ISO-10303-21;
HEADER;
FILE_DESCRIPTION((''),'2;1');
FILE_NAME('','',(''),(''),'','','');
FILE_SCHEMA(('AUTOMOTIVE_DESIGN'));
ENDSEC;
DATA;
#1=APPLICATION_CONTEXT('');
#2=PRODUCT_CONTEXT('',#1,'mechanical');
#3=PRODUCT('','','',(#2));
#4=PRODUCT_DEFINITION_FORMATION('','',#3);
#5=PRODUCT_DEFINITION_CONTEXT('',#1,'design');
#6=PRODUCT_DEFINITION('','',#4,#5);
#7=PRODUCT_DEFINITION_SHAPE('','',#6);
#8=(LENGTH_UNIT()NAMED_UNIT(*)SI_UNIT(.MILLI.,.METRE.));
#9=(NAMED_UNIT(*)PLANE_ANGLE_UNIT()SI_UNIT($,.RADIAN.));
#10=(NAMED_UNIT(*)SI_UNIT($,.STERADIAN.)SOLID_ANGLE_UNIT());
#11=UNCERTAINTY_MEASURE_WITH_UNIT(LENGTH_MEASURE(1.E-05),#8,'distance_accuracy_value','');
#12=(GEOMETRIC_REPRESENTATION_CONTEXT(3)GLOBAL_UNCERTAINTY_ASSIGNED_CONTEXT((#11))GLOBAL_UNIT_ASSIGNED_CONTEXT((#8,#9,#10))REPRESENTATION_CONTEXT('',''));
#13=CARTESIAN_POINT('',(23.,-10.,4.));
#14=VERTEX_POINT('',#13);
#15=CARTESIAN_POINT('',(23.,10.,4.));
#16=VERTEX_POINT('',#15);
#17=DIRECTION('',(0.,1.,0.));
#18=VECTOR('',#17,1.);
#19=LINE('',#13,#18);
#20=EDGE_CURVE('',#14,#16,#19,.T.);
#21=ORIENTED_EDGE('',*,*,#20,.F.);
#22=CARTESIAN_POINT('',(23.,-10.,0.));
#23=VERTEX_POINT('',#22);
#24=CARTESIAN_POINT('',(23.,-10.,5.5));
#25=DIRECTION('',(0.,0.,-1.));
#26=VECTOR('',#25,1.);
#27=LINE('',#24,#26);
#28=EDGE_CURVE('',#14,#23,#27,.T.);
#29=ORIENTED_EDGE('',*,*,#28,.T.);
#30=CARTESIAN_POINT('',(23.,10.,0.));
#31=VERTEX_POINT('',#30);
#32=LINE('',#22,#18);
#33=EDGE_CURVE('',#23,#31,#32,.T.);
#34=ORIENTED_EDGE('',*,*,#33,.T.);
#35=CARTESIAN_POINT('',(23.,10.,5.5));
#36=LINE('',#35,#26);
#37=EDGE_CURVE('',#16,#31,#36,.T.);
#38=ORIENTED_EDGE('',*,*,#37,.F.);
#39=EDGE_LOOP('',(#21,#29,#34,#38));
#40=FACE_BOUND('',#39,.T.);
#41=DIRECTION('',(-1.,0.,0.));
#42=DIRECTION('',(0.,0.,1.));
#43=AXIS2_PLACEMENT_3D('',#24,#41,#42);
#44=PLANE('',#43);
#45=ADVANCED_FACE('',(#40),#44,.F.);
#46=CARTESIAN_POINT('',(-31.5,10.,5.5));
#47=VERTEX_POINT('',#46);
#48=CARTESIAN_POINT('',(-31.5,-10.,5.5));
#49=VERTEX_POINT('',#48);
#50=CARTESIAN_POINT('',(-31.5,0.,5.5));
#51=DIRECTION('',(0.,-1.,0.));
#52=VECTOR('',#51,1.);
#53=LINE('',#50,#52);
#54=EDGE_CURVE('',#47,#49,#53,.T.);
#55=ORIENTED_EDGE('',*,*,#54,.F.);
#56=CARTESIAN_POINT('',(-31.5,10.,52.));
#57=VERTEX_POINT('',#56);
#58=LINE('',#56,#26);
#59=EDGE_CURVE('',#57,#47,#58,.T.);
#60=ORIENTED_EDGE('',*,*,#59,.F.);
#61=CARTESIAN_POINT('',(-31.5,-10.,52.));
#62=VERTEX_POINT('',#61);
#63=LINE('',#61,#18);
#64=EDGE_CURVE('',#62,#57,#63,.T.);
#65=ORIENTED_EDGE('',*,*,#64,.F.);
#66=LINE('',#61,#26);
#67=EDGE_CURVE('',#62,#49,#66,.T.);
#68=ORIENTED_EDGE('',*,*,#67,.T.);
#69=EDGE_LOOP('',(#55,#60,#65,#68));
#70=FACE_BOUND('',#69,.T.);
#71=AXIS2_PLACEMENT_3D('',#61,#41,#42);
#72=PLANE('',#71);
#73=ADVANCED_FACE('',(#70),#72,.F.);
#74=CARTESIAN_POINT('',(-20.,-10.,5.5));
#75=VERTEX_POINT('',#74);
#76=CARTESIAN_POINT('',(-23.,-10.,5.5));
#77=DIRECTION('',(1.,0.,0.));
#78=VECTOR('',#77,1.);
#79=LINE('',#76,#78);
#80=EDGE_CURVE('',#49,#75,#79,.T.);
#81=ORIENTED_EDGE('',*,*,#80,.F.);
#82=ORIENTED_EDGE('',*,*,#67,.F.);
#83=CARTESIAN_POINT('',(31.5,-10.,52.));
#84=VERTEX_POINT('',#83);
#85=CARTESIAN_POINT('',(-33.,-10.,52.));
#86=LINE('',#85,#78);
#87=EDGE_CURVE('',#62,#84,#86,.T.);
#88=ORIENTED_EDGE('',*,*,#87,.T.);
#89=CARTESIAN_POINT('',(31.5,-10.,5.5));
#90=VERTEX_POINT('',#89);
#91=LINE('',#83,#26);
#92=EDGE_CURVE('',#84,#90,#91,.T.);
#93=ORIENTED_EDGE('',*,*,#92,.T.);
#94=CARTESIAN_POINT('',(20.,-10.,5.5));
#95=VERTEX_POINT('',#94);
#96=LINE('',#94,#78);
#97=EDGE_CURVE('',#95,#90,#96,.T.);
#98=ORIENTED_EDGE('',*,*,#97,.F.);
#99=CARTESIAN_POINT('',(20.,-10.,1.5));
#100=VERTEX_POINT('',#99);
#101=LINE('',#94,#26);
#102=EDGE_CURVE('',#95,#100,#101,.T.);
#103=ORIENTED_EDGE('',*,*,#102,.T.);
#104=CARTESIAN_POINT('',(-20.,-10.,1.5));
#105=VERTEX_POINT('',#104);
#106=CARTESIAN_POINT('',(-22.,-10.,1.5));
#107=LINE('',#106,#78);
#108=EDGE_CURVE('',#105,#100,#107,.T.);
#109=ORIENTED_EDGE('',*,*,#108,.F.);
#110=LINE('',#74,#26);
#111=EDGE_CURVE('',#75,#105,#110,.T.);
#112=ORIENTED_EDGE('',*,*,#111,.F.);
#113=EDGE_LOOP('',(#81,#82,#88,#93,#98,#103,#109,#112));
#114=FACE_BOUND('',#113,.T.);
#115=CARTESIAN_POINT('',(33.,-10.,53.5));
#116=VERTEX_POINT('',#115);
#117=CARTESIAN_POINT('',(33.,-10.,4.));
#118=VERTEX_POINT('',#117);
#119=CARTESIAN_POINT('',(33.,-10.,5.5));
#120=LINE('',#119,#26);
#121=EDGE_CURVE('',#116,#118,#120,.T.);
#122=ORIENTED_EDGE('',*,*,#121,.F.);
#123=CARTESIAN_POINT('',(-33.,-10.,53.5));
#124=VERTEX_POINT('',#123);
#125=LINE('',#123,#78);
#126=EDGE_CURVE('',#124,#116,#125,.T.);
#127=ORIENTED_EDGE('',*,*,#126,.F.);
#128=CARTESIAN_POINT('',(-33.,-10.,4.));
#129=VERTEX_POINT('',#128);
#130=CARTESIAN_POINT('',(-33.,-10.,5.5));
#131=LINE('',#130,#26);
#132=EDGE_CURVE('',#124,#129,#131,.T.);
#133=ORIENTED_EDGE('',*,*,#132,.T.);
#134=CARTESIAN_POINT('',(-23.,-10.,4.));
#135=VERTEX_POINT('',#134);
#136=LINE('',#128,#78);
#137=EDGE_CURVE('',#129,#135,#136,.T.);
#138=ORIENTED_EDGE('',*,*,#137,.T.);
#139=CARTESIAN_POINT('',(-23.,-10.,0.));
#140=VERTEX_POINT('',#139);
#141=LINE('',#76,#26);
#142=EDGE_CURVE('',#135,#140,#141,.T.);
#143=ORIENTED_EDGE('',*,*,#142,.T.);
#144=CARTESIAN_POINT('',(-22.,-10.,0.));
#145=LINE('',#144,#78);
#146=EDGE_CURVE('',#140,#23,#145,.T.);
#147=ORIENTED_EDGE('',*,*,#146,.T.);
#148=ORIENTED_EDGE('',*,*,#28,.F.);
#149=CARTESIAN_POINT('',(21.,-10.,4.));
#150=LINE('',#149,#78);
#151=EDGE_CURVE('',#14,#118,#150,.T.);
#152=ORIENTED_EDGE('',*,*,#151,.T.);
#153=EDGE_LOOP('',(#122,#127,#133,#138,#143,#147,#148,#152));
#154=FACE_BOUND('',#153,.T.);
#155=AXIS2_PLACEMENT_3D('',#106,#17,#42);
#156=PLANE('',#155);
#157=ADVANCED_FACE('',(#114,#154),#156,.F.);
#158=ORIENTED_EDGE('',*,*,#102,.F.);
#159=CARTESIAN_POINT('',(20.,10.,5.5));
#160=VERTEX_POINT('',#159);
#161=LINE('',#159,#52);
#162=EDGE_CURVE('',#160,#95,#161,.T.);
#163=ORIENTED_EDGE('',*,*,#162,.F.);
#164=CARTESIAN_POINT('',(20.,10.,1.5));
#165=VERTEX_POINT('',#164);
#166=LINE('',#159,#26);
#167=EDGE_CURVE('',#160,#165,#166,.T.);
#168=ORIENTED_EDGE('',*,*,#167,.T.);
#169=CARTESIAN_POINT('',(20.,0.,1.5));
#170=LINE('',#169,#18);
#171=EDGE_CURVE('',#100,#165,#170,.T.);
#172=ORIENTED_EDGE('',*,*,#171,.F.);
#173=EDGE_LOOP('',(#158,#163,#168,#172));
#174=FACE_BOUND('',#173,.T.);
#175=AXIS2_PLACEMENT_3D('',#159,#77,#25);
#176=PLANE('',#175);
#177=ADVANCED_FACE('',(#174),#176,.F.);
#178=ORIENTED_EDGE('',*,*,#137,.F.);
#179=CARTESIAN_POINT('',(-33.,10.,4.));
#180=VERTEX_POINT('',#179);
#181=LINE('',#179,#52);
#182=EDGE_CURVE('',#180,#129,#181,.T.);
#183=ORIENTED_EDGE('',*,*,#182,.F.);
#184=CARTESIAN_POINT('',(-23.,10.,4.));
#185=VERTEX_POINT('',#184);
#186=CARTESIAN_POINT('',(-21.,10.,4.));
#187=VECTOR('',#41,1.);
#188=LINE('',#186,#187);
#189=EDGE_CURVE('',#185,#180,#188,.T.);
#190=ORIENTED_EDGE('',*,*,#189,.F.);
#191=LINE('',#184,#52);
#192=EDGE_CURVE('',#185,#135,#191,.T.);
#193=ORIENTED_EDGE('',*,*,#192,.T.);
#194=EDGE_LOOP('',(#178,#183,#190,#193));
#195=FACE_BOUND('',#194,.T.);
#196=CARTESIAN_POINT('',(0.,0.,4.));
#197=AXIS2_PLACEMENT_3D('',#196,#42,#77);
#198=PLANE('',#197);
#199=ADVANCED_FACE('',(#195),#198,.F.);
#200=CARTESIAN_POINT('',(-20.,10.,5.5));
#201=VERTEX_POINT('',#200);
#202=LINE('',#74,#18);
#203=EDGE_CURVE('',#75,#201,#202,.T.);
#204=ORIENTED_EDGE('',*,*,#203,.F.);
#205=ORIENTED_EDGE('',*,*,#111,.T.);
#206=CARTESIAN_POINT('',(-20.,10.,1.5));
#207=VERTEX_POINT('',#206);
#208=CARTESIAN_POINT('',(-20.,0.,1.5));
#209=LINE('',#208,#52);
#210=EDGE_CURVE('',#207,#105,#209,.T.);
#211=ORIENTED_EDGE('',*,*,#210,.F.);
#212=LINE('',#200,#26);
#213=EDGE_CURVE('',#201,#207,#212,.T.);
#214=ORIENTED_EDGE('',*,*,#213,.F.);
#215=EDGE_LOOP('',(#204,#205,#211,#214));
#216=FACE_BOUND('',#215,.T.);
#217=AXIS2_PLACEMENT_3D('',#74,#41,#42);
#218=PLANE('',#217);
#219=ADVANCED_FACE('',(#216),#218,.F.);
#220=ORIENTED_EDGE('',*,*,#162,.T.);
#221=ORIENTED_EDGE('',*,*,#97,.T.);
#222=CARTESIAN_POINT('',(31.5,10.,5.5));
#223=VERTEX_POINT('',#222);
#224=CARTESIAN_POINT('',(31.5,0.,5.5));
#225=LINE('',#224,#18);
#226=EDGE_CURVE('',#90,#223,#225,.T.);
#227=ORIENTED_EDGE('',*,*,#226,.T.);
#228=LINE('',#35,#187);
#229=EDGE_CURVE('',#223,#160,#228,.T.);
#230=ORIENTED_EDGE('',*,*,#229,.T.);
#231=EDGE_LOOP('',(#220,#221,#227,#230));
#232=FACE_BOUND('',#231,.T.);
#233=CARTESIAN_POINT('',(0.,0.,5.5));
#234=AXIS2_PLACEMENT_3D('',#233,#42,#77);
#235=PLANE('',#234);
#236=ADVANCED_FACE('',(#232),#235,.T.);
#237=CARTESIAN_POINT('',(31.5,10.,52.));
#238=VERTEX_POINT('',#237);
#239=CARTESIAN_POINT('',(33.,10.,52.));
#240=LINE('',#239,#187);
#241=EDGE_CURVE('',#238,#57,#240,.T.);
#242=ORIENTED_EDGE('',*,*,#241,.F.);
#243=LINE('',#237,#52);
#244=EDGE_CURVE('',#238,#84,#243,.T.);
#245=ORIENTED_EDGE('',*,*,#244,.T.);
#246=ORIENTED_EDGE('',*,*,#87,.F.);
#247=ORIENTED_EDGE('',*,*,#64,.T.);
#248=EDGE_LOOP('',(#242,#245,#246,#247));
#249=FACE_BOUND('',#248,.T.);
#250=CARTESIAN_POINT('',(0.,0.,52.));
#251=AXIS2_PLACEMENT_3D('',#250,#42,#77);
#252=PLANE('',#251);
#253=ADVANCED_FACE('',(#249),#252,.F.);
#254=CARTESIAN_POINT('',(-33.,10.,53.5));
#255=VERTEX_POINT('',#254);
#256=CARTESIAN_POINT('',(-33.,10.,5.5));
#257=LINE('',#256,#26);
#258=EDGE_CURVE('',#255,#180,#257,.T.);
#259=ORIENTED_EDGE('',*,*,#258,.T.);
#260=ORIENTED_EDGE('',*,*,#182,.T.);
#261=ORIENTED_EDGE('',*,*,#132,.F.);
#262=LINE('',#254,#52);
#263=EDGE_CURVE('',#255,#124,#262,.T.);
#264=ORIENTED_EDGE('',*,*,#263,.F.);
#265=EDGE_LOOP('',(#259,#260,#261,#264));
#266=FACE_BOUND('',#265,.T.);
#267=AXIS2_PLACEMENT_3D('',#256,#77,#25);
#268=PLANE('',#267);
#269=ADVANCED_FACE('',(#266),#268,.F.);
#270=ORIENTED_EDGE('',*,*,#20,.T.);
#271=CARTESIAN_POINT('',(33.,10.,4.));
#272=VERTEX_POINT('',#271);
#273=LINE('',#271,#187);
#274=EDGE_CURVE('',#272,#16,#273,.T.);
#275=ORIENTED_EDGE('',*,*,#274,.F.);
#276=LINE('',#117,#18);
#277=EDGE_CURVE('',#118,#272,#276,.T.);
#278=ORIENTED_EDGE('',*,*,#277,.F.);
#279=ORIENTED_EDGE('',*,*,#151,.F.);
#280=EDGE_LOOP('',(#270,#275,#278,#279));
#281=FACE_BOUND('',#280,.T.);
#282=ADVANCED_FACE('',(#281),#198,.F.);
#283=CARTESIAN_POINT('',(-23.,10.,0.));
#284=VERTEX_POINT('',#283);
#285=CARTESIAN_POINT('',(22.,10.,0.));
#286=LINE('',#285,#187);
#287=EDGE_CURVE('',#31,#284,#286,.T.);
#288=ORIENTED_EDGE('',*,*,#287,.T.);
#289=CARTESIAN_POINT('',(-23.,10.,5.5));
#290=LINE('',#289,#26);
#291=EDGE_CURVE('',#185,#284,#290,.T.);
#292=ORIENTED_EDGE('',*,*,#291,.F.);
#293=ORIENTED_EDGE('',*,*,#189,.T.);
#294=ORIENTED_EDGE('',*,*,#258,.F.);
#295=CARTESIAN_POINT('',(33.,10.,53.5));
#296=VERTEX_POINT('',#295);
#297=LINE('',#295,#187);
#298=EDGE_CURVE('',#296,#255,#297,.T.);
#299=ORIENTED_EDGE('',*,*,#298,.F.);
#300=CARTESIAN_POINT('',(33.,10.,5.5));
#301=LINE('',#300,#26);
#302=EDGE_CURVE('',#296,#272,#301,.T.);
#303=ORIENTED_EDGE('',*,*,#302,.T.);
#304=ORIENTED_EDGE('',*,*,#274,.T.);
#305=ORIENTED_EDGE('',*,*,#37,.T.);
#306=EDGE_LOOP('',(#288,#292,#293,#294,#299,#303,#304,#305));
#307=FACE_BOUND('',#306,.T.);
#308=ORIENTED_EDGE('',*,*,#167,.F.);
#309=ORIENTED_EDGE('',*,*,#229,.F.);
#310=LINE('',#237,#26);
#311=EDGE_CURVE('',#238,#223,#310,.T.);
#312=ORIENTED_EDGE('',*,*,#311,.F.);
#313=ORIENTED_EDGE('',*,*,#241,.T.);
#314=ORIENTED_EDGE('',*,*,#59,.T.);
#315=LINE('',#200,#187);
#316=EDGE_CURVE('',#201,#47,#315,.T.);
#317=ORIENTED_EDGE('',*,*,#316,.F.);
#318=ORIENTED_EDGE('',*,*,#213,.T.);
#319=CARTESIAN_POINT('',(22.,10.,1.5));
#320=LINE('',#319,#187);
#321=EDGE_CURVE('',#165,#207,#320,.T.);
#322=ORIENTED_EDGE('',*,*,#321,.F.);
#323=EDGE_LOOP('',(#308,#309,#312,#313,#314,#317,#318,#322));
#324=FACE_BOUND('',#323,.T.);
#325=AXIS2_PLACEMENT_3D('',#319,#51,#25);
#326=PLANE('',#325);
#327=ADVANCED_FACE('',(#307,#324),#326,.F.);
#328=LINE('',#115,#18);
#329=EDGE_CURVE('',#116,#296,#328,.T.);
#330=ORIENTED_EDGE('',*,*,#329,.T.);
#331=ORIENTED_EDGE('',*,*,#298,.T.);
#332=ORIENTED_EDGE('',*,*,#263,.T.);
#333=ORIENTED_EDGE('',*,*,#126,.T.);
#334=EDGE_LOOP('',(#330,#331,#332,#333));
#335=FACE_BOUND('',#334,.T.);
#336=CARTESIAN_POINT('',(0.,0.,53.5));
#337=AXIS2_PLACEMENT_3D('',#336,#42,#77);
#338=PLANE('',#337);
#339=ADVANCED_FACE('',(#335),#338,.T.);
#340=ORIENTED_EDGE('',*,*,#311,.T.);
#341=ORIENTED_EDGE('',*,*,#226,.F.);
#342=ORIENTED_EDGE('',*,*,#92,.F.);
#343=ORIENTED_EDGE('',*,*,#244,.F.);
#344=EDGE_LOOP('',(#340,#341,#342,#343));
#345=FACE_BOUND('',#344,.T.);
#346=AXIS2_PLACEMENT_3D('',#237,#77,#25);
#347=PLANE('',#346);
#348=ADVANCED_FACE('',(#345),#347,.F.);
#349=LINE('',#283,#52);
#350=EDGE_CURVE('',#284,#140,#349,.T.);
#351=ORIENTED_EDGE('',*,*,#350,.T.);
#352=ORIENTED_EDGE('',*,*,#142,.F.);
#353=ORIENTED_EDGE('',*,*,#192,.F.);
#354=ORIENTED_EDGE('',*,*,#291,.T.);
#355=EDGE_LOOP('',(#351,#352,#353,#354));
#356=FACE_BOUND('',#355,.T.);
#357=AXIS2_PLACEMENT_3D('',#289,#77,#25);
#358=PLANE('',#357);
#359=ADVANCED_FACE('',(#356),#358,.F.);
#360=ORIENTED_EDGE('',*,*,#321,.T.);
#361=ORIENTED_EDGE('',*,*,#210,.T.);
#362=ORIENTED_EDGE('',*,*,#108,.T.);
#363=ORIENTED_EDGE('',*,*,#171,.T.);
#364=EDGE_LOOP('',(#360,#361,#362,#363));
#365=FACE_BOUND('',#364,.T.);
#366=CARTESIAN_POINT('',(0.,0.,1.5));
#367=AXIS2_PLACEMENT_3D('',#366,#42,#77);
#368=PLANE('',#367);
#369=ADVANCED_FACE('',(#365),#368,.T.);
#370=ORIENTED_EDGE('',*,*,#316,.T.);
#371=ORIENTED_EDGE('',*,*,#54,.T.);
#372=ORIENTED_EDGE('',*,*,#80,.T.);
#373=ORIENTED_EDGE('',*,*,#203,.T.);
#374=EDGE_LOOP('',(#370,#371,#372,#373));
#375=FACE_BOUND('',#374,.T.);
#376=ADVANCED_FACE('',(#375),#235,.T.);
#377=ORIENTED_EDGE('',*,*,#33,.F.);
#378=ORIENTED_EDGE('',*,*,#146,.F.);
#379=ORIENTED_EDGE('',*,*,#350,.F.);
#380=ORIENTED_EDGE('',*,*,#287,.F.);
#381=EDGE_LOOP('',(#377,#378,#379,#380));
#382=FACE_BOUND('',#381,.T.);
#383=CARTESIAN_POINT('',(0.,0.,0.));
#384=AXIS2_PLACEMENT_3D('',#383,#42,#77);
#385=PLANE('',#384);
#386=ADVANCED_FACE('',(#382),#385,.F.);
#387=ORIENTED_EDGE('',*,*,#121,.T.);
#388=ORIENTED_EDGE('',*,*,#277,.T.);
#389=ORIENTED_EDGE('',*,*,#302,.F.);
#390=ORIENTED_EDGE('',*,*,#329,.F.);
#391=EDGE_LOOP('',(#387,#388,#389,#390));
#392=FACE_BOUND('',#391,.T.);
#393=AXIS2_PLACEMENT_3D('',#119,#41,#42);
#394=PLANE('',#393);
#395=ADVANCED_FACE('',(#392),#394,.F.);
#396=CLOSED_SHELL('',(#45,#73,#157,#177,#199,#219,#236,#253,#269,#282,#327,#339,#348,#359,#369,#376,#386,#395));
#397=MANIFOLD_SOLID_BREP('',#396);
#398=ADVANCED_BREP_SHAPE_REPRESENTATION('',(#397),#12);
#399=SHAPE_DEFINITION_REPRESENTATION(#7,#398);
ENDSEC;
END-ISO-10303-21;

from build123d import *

# Parameters (mm, degrees)
SKETCH_4_W        = 44
SKETCH_4_H        = 20
EXTRUDE_282_DEPTH = 1.5
SKETCH_5_W        = 3
SKETCH_5_H        = 20
EXTRUDE_1_DEPTH   = 5.5
EXTRUDE_START     = 4
SKETCH_6_W        = 12
SKETCH_6_H        = 20
EXTRUDE_1_2_DEPTH = 1.5
SKETCH_7_W        = 1.5
SKETCH_7_H        = 20
EXTRUDE_1_3_DEPTH = 48
SKETCH_8_W        = 3
SKETCH_8_H        = 20
EXTRUDE_1_4_DEPTH = 5.5
SKETCH_9_W        = 12
SKETCH_9_H        = 20
EXTRUDE_1_5_DEPTH = 1.5
SKETCH_10_W       = 1.5
SKETCH_10_H       = 20
EXTRUDE_1_6_DEPTH = 48
EXTRUDE_START_2   = 52
SKETCH_11_W       = 66
SKETCH_11_H       = 20
EXTRUDE_763_DEPTH = 1.5


with BuildPart() as part:
    # 草图4 → Extrude 282 (new body)
    with BuildSketch(Plane.XY):
        Rectangle(SKETCH_4_W, SKETCH_4_H)
    extrude(amount=EXTRUDE_282_DEPTH)

    # 草图5 → Extrude 1 (add)
    with BuildSketch(Plane.XY):
        with Locations((-21.5, 0)):
            Rectangle(SKETCH_5_W, SKETCH_5_H)
    extrude(amount=EXTRUDE_1_DEPTH)

    # 草图6 → Extrude 1 2 (add)
    with BuildSketch(Plane.XY.offset(EXTRUDE_START)):
        with Locations((-27, 0)):
            Rectangle(SKETCH_6_W, SKETCH_6_H)
    extrude(amount=EXTRUDE_1_2_DEPTH)

    # 草图7 → Extrude 1 3 (add)
    with BuildSketch(Plane.XY.offset(EXTRUDE_START)):
        with Locations((-32.25, 0)):
            Rectangle(SKETCH_7_W, SKETCH_7_H)
    extrude(amount=EXTRUDE_1_3_DEPTH)

    # 草图8 → Extrude 1 4 (add)
    with BuildSketch(Plane.XY):
        with Locations((21.5, 0)):
            Rectangle(SKETCH_8_W, SKETCH_8_H)
    extrude(amount=EXTRUDE_1_4_DEPTH)

    # 草图9 → Extrude 1 5 (add)
    with BuildSketch(Plane.XY.offset(EXTRUDE_START)):
        with Locations((27, 0)):
            Rectangle(SKETCH_9_W, SKETCH_9_H)
    extrude(amount=EXTRUDE_1_5_DEPTH)

    # 草图10 → Extrude 1 6 (add)
    with BuildSketch(Plane.XY.offset(EXTRUDE_START)):
        with Locations((32.25, 0)):
            Rectangle(SKETCH_10_W, SKETCH_10_H)
    extrude(amount=EXTRUDE_1_6_DEPTH)

    # 草图11 → Extrude 763 (add)
    with BuildSketch(Plane.XY.offset(EXTRUDE_START_2)):
        Rectangle(SKETCH_11_W, SKETCH_11_H)
    extrude(amount=EXTRUDE_763_DEPTH)


solid = part.part
